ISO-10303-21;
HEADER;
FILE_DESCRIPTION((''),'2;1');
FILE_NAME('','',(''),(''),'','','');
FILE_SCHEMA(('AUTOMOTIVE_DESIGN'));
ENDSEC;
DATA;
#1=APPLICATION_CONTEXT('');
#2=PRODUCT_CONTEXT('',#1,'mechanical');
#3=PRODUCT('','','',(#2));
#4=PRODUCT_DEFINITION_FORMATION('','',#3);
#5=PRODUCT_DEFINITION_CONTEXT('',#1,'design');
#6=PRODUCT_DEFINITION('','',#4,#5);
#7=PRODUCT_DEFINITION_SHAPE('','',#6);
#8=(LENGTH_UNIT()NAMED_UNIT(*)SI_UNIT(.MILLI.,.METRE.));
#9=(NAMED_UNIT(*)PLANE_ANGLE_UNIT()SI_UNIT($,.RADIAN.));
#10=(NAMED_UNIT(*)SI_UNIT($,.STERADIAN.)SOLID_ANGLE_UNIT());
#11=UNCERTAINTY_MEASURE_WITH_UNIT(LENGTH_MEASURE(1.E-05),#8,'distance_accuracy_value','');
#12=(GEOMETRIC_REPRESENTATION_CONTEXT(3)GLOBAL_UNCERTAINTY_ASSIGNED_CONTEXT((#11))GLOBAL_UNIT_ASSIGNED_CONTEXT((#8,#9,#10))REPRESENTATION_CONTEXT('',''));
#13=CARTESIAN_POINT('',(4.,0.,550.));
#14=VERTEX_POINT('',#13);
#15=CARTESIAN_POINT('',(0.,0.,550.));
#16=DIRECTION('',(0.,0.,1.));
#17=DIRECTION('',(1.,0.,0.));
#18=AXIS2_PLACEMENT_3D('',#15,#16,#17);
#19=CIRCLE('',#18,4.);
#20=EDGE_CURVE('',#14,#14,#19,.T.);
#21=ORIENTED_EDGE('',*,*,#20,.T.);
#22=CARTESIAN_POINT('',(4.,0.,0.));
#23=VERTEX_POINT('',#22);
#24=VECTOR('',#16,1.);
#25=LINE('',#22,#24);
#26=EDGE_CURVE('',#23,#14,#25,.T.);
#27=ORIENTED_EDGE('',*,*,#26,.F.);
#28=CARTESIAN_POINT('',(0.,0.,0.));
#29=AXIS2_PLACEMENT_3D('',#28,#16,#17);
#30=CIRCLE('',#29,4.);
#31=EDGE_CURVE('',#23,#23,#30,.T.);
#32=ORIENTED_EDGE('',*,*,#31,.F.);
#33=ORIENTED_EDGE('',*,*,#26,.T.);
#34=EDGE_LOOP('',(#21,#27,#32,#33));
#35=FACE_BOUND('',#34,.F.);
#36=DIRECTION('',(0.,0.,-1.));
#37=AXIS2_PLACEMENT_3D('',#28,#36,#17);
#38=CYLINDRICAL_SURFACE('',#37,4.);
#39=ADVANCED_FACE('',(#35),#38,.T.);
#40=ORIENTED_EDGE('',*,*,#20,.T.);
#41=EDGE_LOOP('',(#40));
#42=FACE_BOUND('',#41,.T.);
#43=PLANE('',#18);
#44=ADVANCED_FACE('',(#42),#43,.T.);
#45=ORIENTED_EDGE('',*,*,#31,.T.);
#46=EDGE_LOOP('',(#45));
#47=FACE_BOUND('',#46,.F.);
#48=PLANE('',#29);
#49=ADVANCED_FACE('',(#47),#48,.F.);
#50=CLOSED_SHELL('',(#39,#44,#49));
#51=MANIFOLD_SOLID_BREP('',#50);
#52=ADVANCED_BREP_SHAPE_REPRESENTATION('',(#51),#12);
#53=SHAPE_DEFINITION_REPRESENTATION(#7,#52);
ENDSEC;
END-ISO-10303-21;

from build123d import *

# Parameters (mm, degrees)
SKETCH1_R           = 4
BOSS_EXTRUDE1_DEPTH = 550


with BuildPart() as part:
    # Sketch1 → Boss-Extrude1 (new body)
    with BuildSketch(Plane.XY):
        Circle(SKETCH1_R)
    extrude(amount=BOSS_EXTRUDE1_DEPTH)


solid = part.part
